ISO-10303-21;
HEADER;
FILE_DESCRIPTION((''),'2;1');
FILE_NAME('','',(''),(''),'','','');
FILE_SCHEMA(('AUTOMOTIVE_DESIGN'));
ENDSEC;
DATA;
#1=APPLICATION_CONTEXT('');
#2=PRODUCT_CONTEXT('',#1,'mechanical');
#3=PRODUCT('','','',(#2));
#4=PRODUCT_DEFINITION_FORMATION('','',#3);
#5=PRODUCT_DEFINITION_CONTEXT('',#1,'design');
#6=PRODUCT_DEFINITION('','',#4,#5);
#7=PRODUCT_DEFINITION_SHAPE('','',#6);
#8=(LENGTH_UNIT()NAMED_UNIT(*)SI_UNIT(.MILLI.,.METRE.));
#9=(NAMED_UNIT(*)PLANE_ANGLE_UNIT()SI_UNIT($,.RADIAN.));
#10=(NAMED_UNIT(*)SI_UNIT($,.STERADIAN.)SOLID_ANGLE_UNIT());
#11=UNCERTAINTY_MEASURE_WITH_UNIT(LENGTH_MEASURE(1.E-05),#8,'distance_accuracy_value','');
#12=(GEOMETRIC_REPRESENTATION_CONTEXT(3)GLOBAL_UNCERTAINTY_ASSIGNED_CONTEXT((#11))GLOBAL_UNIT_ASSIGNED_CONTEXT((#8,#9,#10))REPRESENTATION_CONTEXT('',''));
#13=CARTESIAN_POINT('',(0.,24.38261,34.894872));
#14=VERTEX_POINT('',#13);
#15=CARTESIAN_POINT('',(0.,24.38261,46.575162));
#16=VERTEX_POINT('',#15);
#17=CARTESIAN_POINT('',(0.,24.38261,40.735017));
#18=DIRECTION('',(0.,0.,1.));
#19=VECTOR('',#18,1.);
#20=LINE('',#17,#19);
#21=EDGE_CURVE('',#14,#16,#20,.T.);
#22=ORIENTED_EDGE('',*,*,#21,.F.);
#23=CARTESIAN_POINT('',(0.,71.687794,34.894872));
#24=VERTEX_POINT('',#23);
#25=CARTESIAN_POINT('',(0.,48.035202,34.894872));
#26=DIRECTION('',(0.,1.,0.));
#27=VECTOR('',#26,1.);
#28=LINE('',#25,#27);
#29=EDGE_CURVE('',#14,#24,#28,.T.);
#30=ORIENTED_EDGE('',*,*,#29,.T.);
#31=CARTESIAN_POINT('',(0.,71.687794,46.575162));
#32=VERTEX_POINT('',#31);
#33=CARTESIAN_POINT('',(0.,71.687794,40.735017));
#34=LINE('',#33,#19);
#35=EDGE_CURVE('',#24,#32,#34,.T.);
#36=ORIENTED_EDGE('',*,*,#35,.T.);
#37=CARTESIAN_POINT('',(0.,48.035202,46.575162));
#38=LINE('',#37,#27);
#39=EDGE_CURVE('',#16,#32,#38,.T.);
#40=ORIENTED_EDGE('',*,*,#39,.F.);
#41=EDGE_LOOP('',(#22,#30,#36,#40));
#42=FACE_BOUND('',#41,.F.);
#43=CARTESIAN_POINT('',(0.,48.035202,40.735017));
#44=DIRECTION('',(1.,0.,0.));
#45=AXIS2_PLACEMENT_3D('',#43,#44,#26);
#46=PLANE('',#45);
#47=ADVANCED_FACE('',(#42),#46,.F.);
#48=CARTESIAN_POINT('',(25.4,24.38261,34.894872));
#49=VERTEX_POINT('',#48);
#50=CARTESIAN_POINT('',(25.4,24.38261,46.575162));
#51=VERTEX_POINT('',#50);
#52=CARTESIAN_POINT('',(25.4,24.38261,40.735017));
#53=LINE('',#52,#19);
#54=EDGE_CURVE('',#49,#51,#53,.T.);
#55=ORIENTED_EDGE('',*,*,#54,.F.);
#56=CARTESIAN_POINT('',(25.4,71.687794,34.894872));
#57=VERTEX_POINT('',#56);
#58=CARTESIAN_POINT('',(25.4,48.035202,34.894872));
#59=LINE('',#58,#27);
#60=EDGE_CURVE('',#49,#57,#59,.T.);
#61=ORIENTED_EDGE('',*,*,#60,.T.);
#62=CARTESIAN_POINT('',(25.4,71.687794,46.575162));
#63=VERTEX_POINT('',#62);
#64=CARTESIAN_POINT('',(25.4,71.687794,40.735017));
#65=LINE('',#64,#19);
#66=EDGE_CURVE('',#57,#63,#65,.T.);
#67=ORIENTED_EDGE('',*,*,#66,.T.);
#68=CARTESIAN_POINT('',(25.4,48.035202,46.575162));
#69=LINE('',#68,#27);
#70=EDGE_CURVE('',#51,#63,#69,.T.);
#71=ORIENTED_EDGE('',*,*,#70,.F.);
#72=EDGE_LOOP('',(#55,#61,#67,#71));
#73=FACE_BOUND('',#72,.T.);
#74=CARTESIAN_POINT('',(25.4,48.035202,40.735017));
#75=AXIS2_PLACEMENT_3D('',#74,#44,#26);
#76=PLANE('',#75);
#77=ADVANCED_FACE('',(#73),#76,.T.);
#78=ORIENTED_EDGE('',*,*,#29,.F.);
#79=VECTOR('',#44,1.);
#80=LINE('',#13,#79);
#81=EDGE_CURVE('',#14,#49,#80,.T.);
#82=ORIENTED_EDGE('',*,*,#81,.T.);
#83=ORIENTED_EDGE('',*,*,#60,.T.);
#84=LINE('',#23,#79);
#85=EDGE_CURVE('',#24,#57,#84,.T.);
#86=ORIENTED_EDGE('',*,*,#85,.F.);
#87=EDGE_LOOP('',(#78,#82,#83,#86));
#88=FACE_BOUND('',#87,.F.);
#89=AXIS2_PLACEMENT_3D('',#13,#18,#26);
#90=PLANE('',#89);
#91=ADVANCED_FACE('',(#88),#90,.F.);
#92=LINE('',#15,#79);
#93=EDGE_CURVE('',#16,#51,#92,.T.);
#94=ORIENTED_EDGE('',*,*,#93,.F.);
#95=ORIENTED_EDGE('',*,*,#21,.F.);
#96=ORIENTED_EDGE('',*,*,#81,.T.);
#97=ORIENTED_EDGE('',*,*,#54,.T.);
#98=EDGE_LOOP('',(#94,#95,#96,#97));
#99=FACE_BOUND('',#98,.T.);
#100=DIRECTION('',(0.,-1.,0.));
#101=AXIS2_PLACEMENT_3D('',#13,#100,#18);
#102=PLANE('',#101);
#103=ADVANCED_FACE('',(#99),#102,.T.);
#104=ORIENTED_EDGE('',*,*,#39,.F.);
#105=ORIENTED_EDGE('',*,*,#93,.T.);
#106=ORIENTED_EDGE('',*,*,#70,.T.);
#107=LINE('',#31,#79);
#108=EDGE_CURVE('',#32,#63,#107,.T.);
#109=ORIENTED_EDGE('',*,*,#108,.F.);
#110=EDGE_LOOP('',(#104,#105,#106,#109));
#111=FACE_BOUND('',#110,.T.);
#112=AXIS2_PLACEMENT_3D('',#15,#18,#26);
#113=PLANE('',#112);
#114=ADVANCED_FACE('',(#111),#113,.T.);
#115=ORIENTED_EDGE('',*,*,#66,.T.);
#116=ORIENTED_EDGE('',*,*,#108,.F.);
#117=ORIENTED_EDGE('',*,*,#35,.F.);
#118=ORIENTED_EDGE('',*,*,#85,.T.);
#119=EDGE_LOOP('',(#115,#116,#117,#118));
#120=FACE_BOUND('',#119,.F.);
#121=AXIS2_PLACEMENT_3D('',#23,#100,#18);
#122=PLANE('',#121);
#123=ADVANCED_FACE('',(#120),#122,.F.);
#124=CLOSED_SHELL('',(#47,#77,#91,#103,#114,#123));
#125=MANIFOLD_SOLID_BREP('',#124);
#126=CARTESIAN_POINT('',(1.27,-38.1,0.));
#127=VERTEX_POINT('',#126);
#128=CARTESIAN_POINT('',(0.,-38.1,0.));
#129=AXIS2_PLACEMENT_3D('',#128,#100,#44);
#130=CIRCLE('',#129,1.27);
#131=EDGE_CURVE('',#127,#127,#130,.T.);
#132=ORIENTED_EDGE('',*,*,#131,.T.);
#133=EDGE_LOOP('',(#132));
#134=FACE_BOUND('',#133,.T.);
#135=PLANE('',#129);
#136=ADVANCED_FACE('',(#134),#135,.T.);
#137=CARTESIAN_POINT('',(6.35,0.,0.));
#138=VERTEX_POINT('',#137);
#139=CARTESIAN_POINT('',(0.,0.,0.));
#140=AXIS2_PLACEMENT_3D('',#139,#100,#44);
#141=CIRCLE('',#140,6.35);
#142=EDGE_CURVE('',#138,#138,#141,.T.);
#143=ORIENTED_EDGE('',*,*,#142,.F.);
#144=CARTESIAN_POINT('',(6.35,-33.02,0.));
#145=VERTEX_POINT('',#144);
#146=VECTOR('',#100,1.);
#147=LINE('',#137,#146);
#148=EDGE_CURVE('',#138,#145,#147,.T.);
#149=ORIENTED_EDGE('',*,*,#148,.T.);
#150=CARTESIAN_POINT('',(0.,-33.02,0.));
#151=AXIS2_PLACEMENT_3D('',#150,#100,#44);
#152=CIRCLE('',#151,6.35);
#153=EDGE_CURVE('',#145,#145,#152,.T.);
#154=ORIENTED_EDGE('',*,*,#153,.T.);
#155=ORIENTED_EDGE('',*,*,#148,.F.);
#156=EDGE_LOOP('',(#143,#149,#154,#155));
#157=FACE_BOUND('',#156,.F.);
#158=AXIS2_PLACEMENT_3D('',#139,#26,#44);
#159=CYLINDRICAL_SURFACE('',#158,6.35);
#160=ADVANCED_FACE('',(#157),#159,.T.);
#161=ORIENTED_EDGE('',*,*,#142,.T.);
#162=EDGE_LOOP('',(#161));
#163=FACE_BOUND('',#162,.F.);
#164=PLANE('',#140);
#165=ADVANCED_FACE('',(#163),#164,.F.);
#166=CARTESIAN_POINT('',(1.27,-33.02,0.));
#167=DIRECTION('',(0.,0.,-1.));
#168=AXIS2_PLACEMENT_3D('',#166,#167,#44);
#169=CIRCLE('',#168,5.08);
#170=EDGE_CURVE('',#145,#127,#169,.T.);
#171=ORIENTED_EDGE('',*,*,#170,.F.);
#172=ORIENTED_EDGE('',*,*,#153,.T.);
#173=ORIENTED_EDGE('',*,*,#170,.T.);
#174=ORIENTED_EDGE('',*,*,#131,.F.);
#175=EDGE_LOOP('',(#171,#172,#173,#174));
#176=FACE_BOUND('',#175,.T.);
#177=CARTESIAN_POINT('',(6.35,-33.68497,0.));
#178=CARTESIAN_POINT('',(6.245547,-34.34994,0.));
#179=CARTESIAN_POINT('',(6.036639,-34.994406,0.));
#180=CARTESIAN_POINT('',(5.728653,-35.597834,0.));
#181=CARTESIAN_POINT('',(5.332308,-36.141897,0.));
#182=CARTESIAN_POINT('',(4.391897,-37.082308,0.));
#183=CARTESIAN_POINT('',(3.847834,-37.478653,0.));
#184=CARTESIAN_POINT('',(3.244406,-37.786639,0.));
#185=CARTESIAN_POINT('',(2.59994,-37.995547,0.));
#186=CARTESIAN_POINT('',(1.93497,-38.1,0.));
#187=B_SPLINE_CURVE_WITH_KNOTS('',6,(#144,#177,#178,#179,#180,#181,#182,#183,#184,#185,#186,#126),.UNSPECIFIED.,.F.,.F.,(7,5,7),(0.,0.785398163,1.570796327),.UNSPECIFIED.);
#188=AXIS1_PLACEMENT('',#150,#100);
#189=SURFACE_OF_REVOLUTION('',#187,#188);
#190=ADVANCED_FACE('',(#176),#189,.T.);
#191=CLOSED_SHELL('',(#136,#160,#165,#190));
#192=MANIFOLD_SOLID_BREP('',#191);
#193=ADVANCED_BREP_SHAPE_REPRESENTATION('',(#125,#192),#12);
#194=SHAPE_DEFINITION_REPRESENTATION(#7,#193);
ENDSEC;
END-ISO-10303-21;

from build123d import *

# Parameters (mm, degrees)
F0_R     = 6.35
F1_DEPTH = 38.1
F2_R     = 5.08
F3_W     = 47.305185
F3_H     = 11.680291
F4_DEPTH = 25.4


with BuildPart() as f1:
    # F0 (on Front) → F1 (new body)
    with BuildSketch(Plane.XZ):
        Circle(F0_R)
    extrude(amount=F1_DEPTH)

    # F2
    f2_edges = [f1.edges().sort_by_distance(p)[0] for p in [
        (-6.35, -38.1, 0),
    ]]
    fillet(f2_edges, radius=F2_R)


with BuildPart() as f4:
    # F3 (on Right) → F4 (new body)
    with BuildSketch(Plane.YZ):
        with Locations((48.035202, 40.735017)):
            Rectangle(F3_W, F3_H)
    extrude(amount=F4_DEPTH)


solid = Compound([f1.part, f4.part])
